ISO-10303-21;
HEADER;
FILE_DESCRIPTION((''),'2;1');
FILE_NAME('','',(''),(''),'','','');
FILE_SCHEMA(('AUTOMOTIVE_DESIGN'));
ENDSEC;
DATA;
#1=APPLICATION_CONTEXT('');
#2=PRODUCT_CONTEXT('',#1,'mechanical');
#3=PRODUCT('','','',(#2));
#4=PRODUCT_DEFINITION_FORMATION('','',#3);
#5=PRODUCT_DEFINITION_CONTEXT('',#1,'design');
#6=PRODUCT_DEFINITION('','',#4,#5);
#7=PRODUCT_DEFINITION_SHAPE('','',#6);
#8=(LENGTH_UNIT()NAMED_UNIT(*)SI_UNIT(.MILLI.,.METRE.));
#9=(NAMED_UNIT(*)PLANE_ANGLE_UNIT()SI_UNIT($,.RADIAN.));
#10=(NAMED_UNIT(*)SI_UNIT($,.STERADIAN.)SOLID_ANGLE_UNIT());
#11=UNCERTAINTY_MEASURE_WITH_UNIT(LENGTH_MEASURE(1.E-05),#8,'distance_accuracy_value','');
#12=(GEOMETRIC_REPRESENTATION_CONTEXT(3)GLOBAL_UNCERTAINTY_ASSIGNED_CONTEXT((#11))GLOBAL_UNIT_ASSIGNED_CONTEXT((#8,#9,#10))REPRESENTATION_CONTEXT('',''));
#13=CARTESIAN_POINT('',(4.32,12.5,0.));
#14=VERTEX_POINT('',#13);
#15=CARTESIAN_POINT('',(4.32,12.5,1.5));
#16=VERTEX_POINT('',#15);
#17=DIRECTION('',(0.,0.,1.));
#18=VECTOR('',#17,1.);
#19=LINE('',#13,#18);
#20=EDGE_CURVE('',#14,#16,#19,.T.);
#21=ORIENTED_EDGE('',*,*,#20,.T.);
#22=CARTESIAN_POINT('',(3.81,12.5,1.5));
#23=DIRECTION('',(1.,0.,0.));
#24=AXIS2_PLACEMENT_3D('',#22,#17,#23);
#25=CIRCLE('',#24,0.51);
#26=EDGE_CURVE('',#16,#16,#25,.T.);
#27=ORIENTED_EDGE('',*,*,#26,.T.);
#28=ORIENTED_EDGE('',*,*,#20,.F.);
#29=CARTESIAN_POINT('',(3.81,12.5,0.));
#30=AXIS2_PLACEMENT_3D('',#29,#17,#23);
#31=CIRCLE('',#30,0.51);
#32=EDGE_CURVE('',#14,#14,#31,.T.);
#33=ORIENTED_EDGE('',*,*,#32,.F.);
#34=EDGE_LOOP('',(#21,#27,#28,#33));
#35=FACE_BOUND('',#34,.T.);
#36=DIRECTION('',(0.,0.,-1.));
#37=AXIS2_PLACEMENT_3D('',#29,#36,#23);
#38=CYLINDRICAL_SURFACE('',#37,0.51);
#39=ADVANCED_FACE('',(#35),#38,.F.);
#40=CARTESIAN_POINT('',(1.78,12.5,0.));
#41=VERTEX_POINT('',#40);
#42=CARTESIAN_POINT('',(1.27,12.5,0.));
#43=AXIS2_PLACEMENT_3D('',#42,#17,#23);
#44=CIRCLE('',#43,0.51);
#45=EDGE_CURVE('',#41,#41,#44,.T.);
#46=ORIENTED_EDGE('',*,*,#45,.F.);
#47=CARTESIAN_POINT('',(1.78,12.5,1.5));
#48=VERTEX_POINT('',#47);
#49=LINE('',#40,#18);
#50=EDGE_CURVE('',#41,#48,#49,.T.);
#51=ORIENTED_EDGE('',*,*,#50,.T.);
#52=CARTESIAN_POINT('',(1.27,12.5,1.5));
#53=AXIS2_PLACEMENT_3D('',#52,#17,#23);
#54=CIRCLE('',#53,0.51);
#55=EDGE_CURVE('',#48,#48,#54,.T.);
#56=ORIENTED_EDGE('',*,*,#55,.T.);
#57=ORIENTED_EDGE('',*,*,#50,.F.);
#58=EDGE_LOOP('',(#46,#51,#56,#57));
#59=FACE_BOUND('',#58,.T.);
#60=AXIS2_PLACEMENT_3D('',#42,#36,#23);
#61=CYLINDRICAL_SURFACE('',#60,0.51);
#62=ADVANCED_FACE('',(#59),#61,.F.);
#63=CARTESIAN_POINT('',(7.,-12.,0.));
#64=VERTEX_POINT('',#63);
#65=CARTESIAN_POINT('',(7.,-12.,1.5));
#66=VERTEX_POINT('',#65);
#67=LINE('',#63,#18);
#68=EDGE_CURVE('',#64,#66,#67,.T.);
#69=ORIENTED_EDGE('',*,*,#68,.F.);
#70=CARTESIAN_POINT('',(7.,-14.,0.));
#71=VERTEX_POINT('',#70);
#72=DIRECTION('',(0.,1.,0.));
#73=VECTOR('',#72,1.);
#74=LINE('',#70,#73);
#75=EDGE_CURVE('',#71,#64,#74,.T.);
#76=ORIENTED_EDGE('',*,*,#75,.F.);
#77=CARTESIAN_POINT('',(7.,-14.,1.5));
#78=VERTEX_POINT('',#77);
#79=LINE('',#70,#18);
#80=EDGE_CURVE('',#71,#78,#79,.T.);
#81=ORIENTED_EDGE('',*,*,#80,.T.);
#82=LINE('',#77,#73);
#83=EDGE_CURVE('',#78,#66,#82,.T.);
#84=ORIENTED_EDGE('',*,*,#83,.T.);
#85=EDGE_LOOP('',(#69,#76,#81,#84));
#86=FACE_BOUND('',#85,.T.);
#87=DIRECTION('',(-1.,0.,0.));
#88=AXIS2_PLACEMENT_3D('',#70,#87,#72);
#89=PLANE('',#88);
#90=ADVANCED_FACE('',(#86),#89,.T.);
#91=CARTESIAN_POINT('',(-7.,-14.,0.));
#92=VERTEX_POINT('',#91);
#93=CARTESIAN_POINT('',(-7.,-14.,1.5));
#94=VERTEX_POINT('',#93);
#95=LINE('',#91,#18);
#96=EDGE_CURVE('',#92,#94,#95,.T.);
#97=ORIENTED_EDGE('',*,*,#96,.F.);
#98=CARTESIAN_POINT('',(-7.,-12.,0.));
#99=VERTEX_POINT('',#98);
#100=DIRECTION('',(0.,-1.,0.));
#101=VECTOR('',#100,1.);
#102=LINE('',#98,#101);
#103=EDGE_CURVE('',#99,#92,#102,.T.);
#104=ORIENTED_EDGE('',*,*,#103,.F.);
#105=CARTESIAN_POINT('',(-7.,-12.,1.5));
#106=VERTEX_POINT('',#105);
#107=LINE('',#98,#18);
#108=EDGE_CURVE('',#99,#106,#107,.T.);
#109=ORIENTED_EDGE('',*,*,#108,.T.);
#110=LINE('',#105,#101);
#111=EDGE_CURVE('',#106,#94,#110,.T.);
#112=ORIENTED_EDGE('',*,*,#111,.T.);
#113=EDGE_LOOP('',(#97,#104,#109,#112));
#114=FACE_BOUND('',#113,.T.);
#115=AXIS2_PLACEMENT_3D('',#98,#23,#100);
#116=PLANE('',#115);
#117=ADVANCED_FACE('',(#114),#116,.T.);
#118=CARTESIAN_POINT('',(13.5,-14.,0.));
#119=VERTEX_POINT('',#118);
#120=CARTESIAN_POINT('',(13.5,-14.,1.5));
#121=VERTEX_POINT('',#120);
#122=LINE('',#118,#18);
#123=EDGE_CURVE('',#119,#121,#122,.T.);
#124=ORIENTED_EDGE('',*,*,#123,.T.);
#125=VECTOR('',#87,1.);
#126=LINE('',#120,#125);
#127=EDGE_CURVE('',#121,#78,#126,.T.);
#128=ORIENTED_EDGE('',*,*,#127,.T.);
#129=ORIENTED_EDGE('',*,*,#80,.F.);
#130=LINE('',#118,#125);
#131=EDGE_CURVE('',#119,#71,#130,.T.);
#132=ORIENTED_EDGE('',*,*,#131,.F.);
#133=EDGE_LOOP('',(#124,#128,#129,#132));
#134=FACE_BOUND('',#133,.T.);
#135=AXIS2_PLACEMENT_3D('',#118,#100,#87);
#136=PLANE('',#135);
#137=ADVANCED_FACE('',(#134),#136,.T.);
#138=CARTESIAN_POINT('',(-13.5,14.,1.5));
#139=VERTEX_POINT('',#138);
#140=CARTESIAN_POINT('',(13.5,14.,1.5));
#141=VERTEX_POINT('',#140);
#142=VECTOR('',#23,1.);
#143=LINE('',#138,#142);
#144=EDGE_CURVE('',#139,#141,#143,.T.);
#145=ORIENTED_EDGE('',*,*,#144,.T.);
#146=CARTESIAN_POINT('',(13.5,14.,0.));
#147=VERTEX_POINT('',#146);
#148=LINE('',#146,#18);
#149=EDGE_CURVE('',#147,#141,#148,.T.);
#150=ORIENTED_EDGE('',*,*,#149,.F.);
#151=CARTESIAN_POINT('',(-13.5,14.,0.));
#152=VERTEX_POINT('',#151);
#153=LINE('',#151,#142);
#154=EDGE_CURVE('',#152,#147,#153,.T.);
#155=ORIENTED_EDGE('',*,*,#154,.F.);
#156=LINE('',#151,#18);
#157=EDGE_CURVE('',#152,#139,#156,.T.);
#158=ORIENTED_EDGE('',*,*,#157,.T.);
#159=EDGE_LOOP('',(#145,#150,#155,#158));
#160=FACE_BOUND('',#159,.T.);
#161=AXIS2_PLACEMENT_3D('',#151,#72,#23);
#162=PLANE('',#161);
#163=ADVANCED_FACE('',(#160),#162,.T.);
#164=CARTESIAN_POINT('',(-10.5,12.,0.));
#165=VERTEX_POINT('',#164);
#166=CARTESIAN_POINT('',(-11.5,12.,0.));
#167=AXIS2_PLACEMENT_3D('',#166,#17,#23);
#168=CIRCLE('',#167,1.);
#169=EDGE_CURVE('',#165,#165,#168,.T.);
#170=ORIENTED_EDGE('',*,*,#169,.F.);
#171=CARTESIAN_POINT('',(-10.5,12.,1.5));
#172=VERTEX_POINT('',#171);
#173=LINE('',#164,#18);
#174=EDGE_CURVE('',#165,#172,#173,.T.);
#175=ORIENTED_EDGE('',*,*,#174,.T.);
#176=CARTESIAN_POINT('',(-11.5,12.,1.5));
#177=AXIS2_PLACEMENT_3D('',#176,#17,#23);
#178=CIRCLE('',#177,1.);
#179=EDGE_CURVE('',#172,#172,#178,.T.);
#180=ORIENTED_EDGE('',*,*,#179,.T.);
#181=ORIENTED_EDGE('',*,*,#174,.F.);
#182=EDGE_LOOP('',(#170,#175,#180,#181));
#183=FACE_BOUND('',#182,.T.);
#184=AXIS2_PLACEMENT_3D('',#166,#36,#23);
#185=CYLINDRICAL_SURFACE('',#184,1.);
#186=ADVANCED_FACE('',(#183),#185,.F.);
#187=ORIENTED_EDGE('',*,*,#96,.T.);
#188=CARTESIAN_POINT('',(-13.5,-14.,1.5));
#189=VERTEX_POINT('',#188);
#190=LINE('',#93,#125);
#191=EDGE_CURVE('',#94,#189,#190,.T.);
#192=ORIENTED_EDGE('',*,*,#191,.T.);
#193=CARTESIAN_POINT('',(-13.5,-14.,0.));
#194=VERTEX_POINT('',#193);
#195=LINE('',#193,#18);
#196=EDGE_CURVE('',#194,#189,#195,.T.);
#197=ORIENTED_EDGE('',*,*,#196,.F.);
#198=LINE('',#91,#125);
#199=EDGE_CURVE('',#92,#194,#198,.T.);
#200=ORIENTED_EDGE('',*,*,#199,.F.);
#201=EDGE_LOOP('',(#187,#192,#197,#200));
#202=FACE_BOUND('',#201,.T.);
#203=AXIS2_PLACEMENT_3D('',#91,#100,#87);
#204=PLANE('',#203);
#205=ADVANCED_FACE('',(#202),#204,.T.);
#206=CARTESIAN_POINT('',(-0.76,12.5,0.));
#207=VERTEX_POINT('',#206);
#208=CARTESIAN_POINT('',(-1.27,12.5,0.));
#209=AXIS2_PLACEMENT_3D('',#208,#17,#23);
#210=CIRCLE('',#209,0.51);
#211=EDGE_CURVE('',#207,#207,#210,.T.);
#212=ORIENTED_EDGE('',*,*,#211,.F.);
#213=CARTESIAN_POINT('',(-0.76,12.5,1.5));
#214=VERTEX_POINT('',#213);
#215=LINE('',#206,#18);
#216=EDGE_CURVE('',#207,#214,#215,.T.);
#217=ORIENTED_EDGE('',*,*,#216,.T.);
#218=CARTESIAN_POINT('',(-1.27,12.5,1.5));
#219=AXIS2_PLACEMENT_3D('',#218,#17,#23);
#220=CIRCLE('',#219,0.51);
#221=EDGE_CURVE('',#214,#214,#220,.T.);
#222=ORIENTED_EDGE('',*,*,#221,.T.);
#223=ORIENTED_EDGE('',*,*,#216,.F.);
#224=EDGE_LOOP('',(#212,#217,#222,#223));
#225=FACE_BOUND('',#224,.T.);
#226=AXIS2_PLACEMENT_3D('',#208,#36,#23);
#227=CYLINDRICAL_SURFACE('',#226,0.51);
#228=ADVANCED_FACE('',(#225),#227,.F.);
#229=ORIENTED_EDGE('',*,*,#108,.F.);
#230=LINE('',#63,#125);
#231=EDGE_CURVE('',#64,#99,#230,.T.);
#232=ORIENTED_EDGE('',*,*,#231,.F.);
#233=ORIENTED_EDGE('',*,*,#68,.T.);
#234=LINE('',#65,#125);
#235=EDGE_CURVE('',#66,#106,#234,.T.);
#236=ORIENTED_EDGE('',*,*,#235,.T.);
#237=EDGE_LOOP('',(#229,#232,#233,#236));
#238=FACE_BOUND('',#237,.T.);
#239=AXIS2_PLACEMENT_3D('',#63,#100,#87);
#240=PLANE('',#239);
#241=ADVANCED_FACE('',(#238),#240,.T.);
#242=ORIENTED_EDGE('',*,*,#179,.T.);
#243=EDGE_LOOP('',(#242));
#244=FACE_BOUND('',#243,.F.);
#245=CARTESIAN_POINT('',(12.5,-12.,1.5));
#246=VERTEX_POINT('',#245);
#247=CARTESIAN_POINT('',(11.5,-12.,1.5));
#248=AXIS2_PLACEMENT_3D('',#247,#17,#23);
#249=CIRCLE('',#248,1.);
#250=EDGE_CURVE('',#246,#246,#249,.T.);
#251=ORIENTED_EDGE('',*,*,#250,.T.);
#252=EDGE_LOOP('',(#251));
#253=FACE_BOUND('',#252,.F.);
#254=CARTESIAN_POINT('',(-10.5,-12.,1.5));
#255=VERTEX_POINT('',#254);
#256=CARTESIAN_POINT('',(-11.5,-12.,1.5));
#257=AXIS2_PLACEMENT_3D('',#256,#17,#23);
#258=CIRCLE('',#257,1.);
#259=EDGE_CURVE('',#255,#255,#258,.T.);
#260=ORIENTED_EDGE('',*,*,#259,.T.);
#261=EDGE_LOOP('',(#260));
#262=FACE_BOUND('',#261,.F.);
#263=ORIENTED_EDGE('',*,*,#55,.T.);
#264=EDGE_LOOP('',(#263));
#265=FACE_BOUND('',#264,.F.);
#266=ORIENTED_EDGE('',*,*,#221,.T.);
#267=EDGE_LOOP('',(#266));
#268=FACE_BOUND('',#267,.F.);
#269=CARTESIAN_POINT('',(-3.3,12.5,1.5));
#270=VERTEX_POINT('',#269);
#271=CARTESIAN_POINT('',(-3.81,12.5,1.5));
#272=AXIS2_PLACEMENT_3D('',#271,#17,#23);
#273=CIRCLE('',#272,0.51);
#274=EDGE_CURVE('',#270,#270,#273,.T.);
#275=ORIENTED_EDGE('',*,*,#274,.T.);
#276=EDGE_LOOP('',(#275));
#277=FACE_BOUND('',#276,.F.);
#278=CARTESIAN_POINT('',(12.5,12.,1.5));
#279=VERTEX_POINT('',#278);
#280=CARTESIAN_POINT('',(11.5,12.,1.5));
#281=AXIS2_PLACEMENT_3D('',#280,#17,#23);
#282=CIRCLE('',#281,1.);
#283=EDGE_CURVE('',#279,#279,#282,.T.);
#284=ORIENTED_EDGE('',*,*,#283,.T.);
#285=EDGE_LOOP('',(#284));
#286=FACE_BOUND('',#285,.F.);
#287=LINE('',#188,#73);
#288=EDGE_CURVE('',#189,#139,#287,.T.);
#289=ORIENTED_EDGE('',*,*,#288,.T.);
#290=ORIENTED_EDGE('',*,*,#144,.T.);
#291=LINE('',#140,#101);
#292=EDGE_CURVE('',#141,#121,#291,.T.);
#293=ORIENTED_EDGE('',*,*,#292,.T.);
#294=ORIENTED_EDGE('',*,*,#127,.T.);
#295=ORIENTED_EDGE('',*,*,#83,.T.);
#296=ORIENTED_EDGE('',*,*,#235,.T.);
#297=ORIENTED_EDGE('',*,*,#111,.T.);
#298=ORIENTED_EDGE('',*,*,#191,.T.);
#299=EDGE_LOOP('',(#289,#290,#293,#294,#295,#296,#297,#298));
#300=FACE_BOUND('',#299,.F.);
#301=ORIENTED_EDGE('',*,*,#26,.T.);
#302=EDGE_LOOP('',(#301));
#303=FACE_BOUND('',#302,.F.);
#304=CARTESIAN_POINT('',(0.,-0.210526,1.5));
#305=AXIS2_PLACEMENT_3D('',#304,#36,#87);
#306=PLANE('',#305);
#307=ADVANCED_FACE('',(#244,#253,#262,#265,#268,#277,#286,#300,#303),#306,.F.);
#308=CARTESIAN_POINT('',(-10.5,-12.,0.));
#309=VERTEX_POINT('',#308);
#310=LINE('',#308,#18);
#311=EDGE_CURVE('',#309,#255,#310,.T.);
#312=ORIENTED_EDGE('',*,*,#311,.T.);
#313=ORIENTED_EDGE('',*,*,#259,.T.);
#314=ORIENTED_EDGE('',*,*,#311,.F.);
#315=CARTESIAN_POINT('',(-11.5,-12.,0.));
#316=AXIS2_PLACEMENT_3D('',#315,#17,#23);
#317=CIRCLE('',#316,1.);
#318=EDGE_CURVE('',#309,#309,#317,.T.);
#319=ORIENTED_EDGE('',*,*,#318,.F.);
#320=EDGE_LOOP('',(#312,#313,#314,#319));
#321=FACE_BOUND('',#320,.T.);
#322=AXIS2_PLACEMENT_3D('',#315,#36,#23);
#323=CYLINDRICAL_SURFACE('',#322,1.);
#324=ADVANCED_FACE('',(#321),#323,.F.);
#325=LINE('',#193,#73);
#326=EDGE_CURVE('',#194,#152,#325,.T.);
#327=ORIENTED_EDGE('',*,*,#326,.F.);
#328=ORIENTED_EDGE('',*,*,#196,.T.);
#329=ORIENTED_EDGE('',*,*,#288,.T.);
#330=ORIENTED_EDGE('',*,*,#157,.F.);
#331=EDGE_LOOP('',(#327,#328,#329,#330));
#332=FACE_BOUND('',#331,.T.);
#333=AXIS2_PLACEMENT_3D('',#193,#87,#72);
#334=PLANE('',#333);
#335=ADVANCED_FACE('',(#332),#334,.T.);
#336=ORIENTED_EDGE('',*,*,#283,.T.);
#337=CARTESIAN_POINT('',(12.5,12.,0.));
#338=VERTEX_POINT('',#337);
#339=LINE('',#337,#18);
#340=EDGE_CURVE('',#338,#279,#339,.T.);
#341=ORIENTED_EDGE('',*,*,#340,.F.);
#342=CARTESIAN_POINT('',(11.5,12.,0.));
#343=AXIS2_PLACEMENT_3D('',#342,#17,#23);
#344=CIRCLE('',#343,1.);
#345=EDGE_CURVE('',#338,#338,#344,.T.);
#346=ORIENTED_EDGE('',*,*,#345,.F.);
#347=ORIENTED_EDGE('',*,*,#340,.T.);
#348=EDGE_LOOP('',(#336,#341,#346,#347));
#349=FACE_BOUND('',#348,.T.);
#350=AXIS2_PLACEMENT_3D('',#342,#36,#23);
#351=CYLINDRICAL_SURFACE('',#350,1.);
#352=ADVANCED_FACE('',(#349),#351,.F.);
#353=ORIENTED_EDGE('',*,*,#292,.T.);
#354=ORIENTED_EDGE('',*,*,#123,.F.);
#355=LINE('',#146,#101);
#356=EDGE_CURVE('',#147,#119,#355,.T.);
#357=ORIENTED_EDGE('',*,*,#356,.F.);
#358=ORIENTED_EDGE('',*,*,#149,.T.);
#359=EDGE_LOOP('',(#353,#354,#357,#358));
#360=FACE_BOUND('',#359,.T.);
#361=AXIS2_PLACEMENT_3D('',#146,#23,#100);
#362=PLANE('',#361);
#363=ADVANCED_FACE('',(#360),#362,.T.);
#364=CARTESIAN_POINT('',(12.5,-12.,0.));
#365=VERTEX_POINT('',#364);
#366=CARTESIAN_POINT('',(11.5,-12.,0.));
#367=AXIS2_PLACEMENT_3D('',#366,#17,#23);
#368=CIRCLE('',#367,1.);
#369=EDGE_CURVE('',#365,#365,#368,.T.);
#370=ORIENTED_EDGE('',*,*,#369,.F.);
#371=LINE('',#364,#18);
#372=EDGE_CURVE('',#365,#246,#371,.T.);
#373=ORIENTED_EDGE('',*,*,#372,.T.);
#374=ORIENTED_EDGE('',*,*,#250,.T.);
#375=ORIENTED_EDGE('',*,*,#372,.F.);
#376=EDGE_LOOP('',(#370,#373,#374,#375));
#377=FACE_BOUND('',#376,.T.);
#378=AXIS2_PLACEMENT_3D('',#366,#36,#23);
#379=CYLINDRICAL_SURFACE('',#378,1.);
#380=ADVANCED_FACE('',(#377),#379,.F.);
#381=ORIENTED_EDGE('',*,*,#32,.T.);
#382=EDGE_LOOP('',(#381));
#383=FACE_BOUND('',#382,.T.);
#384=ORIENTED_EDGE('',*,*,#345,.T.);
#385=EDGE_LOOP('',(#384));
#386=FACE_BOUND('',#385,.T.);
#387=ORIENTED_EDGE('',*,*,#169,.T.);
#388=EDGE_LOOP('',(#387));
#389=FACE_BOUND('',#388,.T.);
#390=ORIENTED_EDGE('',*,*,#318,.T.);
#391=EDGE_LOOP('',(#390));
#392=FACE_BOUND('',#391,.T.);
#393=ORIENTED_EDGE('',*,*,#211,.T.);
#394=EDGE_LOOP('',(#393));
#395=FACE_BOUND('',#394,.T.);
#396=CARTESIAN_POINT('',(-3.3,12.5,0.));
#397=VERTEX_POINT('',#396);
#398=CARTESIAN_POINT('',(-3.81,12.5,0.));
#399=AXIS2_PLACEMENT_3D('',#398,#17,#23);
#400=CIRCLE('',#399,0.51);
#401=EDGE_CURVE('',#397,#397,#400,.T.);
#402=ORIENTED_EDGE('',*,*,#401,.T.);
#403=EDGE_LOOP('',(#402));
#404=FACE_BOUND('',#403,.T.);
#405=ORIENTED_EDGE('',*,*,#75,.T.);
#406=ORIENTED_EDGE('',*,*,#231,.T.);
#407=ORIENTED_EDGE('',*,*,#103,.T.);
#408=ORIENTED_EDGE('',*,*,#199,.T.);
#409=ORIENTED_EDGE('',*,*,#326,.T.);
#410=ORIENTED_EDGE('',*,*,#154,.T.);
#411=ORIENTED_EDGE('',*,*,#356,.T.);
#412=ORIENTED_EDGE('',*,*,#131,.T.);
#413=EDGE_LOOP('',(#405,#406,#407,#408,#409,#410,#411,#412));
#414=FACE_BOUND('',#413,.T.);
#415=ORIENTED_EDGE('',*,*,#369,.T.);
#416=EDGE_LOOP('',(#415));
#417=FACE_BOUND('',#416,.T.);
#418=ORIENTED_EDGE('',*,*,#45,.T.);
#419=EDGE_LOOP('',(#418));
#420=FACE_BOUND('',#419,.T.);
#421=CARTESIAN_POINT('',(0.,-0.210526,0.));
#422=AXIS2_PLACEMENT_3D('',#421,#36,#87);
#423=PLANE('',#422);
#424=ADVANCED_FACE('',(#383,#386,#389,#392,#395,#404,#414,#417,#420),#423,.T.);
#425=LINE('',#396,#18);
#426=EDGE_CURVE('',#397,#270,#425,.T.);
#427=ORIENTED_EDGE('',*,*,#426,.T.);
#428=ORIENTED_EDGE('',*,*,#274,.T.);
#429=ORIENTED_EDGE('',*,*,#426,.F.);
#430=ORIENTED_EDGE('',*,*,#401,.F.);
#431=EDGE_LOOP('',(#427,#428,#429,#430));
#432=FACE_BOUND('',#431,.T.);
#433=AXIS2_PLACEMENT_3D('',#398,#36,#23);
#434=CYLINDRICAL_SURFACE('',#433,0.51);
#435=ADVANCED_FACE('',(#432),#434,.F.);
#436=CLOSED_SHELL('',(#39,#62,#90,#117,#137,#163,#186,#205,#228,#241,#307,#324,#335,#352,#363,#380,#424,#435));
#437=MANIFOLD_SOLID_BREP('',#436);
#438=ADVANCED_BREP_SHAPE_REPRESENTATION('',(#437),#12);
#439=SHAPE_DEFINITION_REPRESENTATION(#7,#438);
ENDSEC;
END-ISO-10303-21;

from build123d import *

# Parameters (mm, degrees)
SKETCH_R   = 1
SKETCH_R_2 = 0.51
PAD_DEPTH  = 1.5


with BuildPart() as part:
    # Sketch → Pad (new body)
    with BuildSketch(Plane.XY):
        Polygon((-13.5, 14), (13.5, 14), (13.5, -14), (7, -14), (7, -12), (-7, -12), (-7, -14), (-13.5, -14), align=None)
        with Locations((-11.5, 12)):
            Circle(SKETCH_R, mode=Mode.SUBTRACT)
        with Locations((11.5, 12)):
            Circle(SKETCH_R, mode=Mode.SUBTRACT)
        with Locations((-11.5, -12)):
            Circle(SKETCH_R, mode=Mode.SUBTRACT)
        with Locations((11.5, -12)):
            Circle(SKETCH_R, mode=Mode.SUBTRACT)
        with Locations((-3.81, 12.5)):
            Circle(SKETCH_R_2, mode=Mode.SUBTRACT)
        with Locations((-1.27, 12.5)):
            Circle(SKETCH_R_2, mode=Mode.SUBTRACT)
        with Locations((1.27, 12.5)):
            Circle(SKETCH_R_2, mode=Mode.SUBTRACT)
        with Locations((3.81, 12.5)):
            Circle(SKETCH_R_2, mode=Mode.SUBTRACT)
    extrude(amount=PAD_DEPTH)


solid = part.part
